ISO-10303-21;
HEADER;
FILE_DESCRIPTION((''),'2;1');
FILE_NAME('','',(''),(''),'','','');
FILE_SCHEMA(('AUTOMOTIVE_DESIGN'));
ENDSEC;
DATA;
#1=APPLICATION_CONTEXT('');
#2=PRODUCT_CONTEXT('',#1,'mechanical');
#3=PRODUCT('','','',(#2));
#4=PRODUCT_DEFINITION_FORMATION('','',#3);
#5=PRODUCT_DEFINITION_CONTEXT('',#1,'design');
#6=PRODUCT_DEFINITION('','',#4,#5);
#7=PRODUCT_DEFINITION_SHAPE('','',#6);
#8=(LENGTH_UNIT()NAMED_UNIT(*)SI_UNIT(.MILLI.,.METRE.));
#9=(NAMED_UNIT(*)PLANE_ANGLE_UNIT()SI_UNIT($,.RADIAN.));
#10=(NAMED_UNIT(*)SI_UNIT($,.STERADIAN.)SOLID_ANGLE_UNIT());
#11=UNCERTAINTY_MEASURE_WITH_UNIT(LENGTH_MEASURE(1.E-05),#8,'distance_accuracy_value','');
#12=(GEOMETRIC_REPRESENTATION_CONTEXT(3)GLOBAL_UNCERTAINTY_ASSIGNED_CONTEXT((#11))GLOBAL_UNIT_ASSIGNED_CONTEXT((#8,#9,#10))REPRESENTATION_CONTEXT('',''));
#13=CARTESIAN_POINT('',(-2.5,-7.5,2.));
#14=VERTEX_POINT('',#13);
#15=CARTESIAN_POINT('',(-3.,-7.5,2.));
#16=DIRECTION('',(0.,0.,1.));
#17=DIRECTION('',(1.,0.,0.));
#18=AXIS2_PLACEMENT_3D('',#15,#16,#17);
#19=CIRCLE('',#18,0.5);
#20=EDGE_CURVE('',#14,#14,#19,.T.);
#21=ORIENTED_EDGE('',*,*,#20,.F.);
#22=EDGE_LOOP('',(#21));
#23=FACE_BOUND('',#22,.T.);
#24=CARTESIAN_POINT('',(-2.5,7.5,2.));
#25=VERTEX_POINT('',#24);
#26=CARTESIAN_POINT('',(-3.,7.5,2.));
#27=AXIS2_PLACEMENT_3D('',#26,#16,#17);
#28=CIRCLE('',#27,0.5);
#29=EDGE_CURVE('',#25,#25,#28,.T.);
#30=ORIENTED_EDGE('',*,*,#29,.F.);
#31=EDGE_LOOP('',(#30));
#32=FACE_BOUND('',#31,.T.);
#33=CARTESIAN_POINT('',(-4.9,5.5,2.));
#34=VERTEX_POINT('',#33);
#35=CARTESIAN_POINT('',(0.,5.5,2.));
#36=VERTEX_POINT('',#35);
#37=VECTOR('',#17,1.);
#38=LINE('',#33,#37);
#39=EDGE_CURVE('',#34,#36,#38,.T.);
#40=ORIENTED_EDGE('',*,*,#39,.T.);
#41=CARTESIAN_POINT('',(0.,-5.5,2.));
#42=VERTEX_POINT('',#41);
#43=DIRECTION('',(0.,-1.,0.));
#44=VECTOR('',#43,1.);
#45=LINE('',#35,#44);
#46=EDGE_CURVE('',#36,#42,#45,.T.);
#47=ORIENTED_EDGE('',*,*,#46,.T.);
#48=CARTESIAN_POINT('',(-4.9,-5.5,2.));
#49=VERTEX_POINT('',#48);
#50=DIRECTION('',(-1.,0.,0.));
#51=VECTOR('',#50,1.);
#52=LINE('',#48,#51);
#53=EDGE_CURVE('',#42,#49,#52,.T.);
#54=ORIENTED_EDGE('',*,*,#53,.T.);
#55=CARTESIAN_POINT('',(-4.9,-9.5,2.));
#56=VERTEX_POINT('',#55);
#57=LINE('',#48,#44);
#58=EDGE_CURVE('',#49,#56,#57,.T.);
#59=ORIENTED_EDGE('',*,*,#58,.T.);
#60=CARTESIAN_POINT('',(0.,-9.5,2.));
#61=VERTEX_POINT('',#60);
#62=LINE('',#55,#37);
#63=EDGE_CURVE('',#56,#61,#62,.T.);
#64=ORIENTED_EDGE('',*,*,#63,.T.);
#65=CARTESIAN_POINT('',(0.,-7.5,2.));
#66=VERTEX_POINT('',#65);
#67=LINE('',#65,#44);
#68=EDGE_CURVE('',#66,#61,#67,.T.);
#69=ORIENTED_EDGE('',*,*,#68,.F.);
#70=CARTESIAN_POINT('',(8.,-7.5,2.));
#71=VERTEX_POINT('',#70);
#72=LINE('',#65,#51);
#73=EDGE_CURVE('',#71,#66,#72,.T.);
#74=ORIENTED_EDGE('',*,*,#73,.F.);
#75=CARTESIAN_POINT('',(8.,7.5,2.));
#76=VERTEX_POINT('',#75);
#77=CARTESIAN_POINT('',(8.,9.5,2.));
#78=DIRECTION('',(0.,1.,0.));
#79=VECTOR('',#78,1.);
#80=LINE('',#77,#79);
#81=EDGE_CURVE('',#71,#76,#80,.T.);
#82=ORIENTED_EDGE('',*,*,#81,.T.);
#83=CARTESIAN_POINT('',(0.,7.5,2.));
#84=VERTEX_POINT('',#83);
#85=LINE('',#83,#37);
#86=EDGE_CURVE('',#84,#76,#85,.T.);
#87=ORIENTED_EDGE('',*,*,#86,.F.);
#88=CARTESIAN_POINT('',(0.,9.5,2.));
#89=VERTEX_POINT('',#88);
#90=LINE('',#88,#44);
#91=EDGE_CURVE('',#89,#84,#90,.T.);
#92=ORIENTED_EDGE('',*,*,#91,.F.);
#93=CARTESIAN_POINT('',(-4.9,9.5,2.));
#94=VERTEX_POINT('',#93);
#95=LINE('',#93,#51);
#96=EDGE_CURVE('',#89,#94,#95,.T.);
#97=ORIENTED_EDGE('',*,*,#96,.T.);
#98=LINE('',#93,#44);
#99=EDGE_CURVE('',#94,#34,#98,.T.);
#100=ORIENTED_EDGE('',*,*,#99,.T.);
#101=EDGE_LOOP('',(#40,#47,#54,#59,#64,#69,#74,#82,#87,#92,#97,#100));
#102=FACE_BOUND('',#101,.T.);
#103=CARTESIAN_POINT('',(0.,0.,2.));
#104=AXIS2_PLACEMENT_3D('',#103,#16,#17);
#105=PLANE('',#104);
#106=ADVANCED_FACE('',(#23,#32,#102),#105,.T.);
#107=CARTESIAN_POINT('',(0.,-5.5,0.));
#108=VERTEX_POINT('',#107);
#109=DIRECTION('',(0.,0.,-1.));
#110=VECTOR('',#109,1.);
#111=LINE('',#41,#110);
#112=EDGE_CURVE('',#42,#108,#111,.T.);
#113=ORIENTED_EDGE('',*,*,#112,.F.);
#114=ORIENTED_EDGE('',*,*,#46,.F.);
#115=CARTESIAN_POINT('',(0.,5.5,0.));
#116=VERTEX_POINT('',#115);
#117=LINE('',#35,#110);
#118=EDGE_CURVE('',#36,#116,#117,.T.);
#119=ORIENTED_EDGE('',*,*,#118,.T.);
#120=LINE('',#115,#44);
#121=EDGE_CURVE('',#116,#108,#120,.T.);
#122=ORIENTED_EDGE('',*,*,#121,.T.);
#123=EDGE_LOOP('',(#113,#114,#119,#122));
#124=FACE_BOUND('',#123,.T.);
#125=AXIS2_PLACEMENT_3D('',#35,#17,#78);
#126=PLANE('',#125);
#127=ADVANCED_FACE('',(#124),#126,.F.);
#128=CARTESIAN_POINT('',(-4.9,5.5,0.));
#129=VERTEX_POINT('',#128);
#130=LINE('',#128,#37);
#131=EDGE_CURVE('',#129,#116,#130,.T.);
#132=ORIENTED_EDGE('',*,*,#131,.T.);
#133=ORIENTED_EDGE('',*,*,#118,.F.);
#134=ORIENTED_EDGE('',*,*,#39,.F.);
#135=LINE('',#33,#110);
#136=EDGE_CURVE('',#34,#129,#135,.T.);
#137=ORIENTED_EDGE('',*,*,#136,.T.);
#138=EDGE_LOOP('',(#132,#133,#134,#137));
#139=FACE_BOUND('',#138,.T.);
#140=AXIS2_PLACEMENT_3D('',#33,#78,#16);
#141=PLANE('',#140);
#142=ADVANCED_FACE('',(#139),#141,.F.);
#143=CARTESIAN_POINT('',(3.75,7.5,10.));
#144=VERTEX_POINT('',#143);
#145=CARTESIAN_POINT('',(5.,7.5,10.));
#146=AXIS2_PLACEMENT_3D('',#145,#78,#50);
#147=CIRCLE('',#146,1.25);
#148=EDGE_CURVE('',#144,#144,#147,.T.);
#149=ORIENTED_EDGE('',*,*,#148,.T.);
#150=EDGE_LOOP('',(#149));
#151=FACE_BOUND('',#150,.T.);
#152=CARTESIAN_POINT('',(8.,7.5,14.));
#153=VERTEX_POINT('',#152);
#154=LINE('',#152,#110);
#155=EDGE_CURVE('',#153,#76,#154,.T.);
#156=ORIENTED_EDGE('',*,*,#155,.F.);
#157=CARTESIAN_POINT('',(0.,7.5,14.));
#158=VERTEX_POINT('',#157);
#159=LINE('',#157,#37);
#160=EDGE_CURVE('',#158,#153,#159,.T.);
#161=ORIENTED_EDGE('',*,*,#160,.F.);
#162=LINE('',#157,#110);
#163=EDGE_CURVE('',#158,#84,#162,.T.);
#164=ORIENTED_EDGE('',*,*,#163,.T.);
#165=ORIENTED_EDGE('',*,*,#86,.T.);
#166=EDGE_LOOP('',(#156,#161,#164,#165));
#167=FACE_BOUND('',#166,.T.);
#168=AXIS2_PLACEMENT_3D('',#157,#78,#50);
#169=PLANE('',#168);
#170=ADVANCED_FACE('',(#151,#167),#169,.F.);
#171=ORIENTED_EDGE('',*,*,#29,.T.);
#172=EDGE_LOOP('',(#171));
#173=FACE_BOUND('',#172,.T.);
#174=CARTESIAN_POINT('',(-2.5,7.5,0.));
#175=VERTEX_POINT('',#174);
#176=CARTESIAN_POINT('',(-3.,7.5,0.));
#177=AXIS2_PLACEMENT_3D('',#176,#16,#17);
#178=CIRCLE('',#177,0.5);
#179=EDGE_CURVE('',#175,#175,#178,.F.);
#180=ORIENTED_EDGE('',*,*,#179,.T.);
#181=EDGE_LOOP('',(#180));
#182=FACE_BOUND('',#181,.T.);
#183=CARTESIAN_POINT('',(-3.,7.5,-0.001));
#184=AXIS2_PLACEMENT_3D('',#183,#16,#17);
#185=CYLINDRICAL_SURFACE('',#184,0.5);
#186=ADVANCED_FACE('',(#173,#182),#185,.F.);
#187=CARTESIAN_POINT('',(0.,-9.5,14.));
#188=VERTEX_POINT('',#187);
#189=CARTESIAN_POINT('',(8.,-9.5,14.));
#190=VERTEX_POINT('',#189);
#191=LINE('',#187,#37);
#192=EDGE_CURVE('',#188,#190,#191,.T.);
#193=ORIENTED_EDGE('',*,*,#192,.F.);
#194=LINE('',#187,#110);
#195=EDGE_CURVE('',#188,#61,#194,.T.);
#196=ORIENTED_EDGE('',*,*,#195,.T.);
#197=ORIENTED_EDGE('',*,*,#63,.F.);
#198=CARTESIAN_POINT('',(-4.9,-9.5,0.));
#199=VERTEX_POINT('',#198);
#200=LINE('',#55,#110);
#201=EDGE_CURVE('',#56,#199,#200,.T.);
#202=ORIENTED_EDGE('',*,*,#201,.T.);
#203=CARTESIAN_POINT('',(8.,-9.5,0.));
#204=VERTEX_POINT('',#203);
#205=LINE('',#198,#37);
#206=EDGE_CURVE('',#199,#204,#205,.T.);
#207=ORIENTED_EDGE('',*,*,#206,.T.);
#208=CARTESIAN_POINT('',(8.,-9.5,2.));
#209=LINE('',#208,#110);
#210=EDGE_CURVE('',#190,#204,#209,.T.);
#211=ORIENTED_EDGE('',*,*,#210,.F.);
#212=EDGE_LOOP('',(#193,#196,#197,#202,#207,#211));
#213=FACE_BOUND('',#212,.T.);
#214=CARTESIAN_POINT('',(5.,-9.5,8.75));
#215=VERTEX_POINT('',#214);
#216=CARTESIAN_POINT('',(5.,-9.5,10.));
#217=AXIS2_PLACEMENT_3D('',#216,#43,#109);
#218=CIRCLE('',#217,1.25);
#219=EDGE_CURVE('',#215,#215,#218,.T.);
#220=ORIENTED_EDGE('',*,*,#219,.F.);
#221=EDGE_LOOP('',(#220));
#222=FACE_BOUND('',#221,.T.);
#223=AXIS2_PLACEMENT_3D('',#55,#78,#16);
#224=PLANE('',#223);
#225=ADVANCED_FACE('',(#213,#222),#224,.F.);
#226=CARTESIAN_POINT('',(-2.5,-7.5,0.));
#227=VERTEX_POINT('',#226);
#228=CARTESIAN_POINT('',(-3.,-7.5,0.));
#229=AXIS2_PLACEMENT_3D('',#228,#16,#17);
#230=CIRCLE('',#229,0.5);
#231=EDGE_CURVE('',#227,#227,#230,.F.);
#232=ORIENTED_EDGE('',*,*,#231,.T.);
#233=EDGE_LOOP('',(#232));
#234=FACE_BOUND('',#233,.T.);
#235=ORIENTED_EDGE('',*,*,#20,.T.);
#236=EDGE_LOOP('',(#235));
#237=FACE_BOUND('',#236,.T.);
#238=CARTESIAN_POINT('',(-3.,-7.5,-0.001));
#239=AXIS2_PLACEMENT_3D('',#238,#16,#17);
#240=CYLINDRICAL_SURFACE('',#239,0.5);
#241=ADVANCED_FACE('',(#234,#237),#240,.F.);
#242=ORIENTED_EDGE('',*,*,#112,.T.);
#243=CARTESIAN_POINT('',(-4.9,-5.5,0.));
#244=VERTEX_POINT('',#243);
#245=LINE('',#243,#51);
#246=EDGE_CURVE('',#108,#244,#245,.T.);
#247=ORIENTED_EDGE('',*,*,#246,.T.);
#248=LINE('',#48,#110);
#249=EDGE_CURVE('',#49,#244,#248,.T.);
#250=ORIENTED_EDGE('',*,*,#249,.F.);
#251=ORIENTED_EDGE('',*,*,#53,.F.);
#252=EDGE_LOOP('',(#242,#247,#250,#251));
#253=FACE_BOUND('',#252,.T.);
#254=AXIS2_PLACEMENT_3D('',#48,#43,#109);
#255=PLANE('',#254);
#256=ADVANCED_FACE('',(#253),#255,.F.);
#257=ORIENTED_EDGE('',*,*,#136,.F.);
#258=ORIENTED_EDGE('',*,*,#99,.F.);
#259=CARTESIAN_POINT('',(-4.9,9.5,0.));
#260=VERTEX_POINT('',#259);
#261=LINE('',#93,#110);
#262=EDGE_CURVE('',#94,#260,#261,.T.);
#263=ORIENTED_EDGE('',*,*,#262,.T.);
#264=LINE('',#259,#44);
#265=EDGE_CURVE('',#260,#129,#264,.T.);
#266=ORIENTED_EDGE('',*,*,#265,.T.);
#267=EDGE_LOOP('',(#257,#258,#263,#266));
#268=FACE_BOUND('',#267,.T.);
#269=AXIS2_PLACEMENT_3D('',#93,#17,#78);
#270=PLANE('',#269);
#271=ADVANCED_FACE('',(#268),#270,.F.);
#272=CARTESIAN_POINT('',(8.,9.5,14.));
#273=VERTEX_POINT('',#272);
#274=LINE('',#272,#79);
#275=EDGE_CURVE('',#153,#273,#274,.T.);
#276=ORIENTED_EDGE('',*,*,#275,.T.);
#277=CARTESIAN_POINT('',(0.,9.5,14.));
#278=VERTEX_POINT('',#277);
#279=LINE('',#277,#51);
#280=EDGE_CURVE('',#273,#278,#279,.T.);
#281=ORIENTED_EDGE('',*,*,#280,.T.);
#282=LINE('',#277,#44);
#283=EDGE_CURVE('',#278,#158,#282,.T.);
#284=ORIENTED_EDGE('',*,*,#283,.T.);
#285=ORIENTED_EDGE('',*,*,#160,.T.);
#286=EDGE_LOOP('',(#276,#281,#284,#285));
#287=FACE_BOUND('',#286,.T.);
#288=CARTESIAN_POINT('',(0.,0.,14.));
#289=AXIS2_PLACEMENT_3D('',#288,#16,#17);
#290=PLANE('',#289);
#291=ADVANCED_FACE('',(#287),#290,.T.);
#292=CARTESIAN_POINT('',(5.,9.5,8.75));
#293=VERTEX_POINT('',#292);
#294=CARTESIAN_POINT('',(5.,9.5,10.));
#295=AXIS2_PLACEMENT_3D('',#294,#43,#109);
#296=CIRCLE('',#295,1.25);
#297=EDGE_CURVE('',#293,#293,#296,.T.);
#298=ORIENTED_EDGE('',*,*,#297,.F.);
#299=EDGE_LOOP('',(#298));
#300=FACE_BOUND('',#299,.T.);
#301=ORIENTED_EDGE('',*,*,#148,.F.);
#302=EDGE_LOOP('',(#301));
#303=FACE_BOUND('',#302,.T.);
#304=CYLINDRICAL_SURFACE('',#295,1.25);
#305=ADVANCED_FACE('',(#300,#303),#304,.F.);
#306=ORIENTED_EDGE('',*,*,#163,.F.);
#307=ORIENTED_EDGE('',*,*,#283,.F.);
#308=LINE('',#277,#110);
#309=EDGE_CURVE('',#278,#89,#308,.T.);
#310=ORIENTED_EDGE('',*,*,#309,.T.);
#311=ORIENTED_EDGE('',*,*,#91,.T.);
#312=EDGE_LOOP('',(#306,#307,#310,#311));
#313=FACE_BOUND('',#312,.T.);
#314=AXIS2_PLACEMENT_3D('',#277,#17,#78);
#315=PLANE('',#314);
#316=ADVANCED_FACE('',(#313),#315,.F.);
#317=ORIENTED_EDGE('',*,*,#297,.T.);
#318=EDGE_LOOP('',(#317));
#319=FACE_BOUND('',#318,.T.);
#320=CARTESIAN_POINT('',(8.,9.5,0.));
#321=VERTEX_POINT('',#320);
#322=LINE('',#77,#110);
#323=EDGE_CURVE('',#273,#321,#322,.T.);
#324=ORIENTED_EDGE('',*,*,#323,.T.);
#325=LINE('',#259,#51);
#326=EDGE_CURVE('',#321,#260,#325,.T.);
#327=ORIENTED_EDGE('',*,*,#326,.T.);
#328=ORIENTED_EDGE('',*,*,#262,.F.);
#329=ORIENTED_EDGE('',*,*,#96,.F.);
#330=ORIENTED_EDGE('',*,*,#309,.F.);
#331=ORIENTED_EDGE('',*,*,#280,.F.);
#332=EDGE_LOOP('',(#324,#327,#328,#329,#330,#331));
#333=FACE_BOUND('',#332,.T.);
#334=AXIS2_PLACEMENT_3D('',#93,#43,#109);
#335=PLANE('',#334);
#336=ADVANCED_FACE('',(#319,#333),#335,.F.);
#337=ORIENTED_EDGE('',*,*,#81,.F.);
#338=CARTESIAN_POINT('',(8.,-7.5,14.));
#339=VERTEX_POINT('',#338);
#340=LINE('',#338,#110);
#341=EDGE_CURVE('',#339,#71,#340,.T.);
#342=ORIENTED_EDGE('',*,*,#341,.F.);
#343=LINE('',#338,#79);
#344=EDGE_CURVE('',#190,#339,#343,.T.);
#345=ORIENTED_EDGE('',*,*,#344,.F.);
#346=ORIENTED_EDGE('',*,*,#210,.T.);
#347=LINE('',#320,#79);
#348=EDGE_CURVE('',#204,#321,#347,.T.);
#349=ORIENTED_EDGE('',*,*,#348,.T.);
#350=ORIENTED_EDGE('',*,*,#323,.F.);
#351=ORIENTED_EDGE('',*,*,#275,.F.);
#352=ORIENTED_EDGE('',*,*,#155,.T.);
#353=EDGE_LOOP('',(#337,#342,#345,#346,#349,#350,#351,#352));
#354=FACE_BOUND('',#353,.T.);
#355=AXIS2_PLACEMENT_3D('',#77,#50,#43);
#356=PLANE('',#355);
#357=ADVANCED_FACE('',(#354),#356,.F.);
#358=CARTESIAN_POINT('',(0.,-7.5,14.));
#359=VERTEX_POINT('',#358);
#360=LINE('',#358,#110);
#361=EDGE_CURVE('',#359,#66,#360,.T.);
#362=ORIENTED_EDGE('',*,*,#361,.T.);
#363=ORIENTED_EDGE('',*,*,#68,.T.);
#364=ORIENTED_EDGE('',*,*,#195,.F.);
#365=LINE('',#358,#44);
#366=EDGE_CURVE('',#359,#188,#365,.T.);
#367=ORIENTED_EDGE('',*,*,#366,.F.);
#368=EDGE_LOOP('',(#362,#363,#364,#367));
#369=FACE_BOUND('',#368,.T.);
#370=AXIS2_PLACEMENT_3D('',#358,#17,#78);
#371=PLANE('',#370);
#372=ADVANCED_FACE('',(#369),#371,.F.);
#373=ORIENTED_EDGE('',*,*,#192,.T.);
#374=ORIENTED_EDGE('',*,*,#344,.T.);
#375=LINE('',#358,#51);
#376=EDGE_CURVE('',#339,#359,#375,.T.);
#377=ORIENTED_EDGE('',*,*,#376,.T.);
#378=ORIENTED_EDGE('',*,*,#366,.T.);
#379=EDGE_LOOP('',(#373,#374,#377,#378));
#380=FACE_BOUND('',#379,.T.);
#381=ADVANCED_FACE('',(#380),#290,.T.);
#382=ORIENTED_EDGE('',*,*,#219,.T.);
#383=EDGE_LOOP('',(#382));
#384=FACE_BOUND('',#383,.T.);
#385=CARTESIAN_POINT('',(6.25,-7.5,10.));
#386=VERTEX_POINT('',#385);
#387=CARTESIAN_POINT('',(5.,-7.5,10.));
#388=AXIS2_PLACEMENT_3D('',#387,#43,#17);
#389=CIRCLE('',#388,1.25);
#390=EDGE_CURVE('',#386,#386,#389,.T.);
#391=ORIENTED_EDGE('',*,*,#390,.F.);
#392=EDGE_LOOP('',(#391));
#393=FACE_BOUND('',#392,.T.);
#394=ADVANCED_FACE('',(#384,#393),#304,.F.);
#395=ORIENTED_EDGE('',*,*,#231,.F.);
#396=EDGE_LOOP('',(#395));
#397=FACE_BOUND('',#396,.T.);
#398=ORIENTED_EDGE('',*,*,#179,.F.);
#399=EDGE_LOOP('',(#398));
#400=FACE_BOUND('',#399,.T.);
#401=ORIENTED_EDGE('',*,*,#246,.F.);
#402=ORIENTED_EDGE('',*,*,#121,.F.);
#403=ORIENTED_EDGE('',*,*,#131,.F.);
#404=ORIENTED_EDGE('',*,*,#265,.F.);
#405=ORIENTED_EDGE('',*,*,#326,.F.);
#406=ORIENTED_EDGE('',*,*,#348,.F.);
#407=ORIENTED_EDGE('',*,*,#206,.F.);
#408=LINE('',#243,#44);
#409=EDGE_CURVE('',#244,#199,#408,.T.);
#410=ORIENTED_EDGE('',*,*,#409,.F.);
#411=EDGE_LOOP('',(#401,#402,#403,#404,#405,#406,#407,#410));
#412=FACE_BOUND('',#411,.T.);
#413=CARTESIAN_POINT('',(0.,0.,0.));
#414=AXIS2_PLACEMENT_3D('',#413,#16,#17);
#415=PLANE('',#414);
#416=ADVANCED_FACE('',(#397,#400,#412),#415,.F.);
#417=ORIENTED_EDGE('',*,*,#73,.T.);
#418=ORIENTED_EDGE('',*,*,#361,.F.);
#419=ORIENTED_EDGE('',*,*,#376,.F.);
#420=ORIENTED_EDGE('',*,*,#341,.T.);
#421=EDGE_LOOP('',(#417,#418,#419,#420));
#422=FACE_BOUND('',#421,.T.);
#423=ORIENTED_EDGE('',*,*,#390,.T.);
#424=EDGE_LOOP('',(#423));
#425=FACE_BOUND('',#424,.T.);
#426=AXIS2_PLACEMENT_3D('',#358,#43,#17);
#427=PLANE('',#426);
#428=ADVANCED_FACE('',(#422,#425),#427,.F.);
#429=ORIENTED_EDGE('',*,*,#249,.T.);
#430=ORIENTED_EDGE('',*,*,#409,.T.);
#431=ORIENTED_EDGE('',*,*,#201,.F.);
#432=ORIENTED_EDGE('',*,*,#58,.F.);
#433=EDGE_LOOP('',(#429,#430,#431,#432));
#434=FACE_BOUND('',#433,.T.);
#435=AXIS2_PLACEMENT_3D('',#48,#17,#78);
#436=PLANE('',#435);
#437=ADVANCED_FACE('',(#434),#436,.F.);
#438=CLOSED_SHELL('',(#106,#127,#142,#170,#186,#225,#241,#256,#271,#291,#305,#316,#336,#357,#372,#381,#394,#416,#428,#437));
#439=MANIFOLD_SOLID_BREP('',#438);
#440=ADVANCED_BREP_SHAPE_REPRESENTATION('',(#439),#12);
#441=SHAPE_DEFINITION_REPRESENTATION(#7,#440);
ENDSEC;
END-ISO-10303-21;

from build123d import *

# Parameters (mm, degrees)
EXTRUDE_1_DEPTH     = 2
SKETCH_3_W          = 8
SKETCH_3_H          = 2
EXTRUDE_2_DEPTH     = 12
SKETCH_11_R         = 1.25
CUT_EXTRUDE_3_DEPTH = 25.919871589
CUT_EXTRUDE_4_REACH = 19.27
SKETCH_10_R         = 0.5


with BuildPart() as part:
    # 草图2 → 凸台-拉伸1 (new body)
    with BuildSketch(Plane.XY):
        Polygon((-4.9, -9.5), (8, -9.5), (8, 9.5), (-4.9, 9.5), (-4.9, 5.5), (0, 5.5), (0, -5.5), (-4.9, -5.5), align=None)
    extrude(amount=EXTRUDE_1_DEPTH)

    # 草图3 → 凸台-拉伸2 (add)
    with BuildSketch(Plane.XY.offset(2)):
        with Locations((4, 8.5)):
            Rectangle(SKETCH_3_W, SKETCH_3_H)
        with Locations((4, -8.5)):
            Rectangle(SKETCH_3_W, SKETCH_3_H)
    extrude(amount=EXTRUDE_2_DEPTH)

    # 草图11 → 切除-拉伸3 (cut, through all)
    with BuildSketch(Plane.XZ.offset(9.5)):
        with Locations(Location((5, 10, 0), (0, 0, 270))):
            Circle(SKETCH_11_R)
    extrude(amount=-CUT_EXTRUDE_3_DEPTH, mode=Mode.SUBTRACT)

    # 草图10 → 切除-拉伸4 (cut, up to next)
    with BuildSketch(Plane.XY.offset(2), mode=Mode.PRIVATE) as cut_extrude_4_sk1:
        with Locations((-3, 7.5)):
            Circle(SKETCH_10_R)
    cut_extrude_4_tool1 = extrude(cut_extrude_4_sk1.sketch, amount=-CUT_EXTRUDE_4_REACH, mode=Mode.PRIVATE) & part.part
    # 草图10 → 切除-拉伸4 (cut, up to next)
    with BuildSketch(Plane.XY.offset(2), mode=Mode.PRIVATE) as cut_extrude_4_sk2:
        with Locations((-3, -7.5)):
            Circle(SKETCH_10_R)
    cut_extrude_4_tool2 = extrude(cut_extrude_4_sk2.sketch, amount=-CUT_EXTRUDE_4_REACH, mode=Mode.PRIVATE) & part.part
    add(cut_extrude_4_tool1.solids().sort_by_distance((-3, 7.5, 2))[0], mode=Mode.SUBTRACT)
    add(cut_extrude_4_tool2.solids().sort_by_distance((-3, -7.5, 2))[0], mode=Mode.SUBTRACT)


solid = part.part
